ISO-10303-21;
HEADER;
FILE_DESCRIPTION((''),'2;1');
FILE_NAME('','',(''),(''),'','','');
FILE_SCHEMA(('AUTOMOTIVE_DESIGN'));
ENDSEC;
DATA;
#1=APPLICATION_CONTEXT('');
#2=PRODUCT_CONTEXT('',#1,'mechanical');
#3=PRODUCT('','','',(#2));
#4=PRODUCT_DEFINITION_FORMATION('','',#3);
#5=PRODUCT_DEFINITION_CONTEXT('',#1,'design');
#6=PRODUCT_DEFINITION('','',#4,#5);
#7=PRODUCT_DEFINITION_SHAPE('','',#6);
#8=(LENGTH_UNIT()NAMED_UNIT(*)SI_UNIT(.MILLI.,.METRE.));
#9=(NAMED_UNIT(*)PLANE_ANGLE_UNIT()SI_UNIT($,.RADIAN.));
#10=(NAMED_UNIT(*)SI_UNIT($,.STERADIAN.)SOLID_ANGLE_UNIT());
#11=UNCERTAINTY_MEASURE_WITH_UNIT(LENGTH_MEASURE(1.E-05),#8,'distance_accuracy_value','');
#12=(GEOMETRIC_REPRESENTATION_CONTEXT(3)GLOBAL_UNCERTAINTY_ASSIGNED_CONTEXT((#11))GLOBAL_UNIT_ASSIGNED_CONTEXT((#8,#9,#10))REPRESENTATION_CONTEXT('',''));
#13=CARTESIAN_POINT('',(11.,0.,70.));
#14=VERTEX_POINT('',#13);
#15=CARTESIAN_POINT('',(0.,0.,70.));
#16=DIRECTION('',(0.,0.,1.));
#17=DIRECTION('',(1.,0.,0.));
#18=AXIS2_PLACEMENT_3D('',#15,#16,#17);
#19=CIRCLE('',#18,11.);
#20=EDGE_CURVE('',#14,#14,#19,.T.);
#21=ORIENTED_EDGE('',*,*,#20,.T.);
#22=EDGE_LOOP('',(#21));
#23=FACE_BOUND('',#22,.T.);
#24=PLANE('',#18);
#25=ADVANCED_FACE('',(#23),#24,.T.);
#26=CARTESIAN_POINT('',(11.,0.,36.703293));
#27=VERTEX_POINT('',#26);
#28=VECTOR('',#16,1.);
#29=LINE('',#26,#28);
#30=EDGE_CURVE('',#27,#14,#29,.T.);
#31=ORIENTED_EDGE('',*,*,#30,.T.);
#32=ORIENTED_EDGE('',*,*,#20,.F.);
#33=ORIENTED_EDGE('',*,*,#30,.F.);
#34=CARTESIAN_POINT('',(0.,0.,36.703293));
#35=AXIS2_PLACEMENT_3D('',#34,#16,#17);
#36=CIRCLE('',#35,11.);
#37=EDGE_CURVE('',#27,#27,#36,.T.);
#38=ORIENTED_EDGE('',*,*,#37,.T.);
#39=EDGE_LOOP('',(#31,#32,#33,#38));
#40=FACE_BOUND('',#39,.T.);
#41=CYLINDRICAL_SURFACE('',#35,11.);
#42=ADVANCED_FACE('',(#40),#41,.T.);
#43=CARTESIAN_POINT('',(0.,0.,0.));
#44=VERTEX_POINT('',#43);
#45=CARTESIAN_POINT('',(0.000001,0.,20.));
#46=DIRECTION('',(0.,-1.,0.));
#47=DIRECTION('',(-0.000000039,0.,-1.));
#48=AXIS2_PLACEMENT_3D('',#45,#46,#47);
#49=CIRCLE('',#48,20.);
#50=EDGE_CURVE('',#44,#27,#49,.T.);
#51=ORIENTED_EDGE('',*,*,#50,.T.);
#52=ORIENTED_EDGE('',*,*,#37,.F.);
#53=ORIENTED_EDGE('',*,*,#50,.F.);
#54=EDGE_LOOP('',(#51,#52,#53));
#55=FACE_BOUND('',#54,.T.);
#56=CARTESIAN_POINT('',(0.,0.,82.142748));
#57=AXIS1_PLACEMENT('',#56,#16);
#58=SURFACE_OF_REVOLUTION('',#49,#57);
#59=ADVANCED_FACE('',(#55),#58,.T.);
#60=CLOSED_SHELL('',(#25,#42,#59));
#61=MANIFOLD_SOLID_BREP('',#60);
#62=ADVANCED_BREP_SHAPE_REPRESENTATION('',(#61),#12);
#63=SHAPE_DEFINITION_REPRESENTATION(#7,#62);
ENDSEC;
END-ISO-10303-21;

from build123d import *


with BuildPart() as f1:
    # F0 (on Front) → F1 (revolve)
    with BuildSketch(Plane.XZ):
        with BuildLine():
            Line((0, 70), (0, 0))
            ThreePointArc((0, 0), (19.158104, 14.258304), (11, 36.703293))
            Line((11, 36.703293), (11, 70))
            Line((11, 70), (0, 70))
        make_face()
    revolve(axis=Axis((0, 0, 82.142748), (0, 0, 1)))


solid = f1.part
